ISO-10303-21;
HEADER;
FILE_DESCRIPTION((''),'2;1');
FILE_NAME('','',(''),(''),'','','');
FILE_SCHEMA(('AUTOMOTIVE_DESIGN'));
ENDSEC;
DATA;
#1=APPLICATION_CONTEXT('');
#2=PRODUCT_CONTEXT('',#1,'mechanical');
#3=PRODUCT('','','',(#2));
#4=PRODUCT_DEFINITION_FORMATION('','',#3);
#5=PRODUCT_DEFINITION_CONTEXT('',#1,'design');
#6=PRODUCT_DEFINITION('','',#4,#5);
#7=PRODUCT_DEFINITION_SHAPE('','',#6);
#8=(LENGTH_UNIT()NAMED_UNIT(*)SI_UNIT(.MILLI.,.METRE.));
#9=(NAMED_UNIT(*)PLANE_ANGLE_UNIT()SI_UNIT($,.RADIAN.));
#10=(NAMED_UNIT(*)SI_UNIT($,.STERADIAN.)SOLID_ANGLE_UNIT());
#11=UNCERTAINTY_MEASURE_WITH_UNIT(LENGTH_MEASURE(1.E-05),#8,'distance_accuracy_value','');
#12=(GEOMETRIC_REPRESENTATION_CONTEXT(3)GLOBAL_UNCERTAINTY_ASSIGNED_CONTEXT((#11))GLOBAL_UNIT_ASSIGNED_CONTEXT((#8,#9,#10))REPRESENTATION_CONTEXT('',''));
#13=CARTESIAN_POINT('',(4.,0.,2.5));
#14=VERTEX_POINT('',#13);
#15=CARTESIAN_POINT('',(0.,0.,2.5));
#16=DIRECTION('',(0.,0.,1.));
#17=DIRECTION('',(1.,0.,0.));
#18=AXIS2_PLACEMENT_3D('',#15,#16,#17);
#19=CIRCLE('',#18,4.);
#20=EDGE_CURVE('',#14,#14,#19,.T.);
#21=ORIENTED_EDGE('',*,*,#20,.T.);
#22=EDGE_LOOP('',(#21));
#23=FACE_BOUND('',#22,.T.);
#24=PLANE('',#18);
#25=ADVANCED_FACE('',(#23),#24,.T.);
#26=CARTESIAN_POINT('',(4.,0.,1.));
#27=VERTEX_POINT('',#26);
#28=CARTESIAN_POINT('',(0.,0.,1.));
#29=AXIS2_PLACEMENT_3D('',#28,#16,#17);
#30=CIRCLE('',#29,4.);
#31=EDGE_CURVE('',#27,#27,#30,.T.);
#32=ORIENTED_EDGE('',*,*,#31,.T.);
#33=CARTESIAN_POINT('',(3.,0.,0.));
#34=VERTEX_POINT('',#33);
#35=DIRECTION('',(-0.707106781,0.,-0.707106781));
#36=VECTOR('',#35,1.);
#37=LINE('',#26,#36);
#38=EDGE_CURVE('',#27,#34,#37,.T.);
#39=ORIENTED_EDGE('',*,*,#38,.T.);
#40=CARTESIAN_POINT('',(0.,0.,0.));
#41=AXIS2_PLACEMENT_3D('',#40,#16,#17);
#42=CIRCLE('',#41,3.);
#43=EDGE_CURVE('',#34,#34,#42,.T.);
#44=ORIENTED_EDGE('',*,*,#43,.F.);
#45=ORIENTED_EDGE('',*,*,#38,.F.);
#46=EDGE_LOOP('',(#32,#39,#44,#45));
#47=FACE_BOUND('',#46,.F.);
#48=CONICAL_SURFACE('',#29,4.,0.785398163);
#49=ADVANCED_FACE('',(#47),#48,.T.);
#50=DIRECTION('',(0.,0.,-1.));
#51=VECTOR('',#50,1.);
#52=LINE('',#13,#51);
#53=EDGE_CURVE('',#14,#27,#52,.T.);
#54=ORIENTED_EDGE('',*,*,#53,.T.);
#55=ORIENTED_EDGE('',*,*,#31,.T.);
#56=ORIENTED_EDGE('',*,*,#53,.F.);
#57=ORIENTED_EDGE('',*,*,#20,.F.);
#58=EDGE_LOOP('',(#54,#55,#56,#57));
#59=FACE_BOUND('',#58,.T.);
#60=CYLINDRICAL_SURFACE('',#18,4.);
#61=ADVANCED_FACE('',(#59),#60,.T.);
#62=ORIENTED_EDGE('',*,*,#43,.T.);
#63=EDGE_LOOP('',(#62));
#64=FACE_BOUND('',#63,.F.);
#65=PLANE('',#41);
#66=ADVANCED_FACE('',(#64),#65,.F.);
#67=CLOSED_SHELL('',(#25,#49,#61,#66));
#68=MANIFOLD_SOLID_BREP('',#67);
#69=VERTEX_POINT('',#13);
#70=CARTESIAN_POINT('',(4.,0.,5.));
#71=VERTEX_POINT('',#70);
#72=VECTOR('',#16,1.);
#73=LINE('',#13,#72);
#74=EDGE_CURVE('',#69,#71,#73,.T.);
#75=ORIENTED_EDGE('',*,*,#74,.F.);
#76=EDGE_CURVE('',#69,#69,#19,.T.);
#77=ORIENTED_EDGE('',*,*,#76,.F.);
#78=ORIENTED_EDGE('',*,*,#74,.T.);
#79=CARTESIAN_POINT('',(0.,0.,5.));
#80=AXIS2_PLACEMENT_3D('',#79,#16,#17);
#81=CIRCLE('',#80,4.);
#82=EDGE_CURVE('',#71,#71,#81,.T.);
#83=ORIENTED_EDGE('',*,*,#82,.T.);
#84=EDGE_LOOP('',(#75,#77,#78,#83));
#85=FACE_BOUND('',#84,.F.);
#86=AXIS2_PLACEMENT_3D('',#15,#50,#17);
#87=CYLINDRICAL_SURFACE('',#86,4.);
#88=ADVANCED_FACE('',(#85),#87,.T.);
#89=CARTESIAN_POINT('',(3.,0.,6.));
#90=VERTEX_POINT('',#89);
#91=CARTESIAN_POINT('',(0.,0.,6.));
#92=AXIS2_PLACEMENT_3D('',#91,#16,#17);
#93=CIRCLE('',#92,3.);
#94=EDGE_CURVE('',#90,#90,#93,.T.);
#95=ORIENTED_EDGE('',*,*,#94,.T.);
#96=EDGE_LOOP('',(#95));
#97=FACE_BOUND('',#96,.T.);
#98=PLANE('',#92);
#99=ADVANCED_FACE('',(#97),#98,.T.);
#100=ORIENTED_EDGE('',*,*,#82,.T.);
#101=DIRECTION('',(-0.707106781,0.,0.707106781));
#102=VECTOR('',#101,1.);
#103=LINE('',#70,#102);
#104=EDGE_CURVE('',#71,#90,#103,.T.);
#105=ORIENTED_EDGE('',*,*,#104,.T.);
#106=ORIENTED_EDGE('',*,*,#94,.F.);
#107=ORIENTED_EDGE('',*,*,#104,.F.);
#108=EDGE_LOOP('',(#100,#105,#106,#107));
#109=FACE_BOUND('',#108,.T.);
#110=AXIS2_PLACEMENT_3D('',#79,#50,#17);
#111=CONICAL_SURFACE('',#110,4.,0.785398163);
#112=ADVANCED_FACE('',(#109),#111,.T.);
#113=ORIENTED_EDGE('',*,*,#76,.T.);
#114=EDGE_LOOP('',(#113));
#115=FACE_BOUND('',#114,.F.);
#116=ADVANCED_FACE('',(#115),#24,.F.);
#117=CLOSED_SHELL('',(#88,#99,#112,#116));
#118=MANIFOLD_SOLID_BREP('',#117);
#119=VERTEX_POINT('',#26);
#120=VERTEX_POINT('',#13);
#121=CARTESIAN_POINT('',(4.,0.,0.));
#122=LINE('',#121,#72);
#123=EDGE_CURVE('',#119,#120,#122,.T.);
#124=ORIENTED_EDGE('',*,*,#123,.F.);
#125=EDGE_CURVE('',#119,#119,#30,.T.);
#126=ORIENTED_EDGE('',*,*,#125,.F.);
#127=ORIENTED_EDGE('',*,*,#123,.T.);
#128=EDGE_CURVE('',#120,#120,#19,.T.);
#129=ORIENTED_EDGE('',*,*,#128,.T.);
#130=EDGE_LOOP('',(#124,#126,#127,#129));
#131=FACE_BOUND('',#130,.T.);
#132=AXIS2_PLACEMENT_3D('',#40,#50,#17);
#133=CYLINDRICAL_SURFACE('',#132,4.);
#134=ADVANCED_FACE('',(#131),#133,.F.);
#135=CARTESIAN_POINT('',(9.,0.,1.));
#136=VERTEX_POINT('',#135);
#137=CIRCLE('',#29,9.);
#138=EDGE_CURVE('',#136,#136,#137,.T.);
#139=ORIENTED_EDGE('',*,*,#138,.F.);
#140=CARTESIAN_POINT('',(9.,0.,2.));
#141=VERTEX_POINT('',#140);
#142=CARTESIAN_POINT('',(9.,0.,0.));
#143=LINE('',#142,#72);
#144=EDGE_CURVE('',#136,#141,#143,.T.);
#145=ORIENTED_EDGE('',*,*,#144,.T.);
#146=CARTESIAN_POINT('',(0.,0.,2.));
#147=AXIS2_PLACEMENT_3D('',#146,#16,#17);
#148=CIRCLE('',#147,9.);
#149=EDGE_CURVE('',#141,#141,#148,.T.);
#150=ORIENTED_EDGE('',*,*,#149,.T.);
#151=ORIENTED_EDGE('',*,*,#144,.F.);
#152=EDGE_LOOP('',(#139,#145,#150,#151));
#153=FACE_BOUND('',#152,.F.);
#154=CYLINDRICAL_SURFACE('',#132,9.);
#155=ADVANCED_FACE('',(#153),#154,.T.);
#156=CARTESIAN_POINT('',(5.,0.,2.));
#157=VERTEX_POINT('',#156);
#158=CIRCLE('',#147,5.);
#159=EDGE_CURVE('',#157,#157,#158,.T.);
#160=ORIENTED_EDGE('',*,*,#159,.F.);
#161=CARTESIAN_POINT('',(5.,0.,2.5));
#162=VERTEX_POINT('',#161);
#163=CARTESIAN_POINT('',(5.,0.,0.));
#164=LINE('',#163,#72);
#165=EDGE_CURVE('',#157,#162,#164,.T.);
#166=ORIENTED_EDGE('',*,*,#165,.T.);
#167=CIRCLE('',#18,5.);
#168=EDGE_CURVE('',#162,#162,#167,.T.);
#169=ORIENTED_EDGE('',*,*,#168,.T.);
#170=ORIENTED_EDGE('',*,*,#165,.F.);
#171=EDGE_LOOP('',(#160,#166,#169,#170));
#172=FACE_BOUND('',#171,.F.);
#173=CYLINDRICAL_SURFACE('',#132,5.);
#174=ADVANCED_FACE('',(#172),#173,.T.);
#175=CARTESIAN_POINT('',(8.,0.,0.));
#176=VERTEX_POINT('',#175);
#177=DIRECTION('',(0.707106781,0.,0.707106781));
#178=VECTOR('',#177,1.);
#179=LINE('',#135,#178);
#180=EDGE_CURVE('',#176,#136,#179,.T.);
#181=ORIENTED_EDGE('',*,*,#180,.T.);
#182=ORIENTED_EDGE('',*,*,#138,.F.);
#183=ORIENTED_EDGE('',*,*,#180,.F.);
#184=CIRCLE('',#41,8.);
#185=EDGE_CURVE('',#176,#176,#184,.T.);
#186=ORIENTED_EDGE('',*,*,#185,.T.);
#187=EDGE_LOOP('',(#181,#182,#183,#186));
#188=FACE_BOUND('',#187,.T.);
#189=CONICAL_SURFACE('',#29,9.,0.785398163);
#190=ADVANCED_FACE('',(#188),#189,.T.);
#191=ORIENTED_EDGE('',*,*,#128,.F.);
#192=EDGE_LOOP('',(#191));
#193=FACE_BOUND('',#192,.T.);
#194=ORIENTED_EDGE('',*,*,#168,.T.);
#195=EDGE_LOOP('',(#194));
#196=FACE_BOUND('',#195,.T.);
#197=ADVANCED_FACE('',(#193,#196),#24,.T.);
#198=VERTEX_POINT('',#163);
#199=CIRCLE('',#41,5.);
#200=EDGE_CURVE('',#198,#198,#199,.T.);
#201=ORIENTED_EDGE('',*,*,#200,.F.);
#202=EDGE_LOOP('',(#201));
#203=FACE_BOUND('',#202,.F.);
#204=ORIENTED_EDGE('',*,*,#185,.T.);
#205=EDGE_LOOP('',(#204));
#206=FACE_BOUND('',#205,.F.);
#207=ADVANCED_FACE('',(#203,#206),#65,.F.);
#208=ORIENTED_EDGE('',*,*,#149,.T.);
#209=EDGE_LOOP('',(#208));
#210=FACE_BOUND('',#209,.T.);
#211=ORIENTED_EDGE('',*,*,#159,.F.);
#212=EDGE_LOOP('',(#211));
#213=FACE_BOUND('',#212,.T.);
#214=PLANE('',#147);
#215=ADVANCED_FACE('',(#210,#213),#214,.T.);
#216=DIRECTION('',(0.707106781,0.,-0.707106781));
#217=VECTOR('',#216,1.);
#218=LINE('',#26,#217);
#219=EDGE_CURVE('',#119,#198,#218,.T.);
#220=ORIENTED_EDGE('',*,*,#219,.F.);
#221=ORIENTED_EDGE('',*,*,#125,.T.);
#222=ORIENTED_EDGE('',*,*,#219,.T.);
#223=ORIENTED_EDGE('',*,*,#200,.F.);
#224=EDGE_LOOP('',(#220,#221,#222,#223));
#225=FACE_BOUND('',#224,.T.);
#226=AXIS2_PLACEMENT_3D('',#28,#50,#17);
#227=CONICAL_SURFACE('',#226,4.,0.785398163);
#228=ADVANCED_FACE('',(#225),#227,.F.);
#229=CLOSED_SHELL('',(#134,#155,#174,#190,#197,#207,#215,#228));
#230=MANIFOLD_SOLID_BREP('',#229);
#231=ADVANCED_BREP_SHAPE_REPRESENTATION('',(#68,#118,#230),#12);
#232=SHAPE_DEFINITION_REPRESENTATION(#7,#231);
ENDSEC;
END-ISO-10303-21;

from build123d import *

# Parameters (mm, degrees)
F0_R      = 9
F0_R_2    = 5
F1_DEPTH  = 2
F0_R_3    = 4
F2_DEPTH  = 2.5
F3_R      = 4
F4_DEPTH  = 3.5
F5_DEPTH  = 2.5
F6_SIZE   = 1
F7_SIZE   = 1
F7_2_SIZE = 1
F7_3_SIZE = 1


with BuildPart() as f1:
    # F0 (on Top) → F1 (new body)
    with BuildSketch(Plane.XY):
        Circle(F0_R)
        Circle(F0_R_2, mode=Mode.SUBTRACT)
    extrude(amount=F1_DEPTH)

    # F0 (on Top) → F2 (join)
    with BuildSketch(Plane.XY):
        Circle(F0_R_2)
        Circle(F0_R_3, mode=Mode.SUBTRACT)
    extrude(amount=F2_DEPTH)

    # F6
    f6_edges = [f1.edges().sort_by_distance(p)[0] for p in [
        (-4, 0, 0),
    ]]
    chamfer(f6_edges, length=F6_SIZE)

    # F7#2
    f7_2_edges = [f1.edges().sort_by_distance(p)[0] for p in [
        (-9, 0, 0),
    ]]
    chamfer(f7_2_edges, length=F7_2_SIZE)


with BuildPart() as f4:
    # F3 (on face) → F4 (new body)
    with BuildSketch(Plane.XY.offset(2.5)):
        Circle(F3_R)
    extrude(amount=F4_DEPTH)

    # F7#3
    f7_3_edges = [f4.edges().sort_by_distance(p)[0] for p in [
        (-4, 0, 6),
    ]]
    chamfer(f7_3_edges, length=F7_3_SIZE)


with BuildPart() as f5:
    # F3 (on face) → F5 (new body)
    with BuildSketch(Plane.XY.offset(2.5)):
        Circle(F3_R)
    extrude(amount=-F5_DEPTH)

    # F7
    f7_edges = [f5.edges().sort_by_distance(p)[0] for p in [
        (-4, 0, 0),
    ]]
    chamfer(f7_edges, length=F7_SIZE)


solid = Compound([f1.part, f4.part, f5.part])
